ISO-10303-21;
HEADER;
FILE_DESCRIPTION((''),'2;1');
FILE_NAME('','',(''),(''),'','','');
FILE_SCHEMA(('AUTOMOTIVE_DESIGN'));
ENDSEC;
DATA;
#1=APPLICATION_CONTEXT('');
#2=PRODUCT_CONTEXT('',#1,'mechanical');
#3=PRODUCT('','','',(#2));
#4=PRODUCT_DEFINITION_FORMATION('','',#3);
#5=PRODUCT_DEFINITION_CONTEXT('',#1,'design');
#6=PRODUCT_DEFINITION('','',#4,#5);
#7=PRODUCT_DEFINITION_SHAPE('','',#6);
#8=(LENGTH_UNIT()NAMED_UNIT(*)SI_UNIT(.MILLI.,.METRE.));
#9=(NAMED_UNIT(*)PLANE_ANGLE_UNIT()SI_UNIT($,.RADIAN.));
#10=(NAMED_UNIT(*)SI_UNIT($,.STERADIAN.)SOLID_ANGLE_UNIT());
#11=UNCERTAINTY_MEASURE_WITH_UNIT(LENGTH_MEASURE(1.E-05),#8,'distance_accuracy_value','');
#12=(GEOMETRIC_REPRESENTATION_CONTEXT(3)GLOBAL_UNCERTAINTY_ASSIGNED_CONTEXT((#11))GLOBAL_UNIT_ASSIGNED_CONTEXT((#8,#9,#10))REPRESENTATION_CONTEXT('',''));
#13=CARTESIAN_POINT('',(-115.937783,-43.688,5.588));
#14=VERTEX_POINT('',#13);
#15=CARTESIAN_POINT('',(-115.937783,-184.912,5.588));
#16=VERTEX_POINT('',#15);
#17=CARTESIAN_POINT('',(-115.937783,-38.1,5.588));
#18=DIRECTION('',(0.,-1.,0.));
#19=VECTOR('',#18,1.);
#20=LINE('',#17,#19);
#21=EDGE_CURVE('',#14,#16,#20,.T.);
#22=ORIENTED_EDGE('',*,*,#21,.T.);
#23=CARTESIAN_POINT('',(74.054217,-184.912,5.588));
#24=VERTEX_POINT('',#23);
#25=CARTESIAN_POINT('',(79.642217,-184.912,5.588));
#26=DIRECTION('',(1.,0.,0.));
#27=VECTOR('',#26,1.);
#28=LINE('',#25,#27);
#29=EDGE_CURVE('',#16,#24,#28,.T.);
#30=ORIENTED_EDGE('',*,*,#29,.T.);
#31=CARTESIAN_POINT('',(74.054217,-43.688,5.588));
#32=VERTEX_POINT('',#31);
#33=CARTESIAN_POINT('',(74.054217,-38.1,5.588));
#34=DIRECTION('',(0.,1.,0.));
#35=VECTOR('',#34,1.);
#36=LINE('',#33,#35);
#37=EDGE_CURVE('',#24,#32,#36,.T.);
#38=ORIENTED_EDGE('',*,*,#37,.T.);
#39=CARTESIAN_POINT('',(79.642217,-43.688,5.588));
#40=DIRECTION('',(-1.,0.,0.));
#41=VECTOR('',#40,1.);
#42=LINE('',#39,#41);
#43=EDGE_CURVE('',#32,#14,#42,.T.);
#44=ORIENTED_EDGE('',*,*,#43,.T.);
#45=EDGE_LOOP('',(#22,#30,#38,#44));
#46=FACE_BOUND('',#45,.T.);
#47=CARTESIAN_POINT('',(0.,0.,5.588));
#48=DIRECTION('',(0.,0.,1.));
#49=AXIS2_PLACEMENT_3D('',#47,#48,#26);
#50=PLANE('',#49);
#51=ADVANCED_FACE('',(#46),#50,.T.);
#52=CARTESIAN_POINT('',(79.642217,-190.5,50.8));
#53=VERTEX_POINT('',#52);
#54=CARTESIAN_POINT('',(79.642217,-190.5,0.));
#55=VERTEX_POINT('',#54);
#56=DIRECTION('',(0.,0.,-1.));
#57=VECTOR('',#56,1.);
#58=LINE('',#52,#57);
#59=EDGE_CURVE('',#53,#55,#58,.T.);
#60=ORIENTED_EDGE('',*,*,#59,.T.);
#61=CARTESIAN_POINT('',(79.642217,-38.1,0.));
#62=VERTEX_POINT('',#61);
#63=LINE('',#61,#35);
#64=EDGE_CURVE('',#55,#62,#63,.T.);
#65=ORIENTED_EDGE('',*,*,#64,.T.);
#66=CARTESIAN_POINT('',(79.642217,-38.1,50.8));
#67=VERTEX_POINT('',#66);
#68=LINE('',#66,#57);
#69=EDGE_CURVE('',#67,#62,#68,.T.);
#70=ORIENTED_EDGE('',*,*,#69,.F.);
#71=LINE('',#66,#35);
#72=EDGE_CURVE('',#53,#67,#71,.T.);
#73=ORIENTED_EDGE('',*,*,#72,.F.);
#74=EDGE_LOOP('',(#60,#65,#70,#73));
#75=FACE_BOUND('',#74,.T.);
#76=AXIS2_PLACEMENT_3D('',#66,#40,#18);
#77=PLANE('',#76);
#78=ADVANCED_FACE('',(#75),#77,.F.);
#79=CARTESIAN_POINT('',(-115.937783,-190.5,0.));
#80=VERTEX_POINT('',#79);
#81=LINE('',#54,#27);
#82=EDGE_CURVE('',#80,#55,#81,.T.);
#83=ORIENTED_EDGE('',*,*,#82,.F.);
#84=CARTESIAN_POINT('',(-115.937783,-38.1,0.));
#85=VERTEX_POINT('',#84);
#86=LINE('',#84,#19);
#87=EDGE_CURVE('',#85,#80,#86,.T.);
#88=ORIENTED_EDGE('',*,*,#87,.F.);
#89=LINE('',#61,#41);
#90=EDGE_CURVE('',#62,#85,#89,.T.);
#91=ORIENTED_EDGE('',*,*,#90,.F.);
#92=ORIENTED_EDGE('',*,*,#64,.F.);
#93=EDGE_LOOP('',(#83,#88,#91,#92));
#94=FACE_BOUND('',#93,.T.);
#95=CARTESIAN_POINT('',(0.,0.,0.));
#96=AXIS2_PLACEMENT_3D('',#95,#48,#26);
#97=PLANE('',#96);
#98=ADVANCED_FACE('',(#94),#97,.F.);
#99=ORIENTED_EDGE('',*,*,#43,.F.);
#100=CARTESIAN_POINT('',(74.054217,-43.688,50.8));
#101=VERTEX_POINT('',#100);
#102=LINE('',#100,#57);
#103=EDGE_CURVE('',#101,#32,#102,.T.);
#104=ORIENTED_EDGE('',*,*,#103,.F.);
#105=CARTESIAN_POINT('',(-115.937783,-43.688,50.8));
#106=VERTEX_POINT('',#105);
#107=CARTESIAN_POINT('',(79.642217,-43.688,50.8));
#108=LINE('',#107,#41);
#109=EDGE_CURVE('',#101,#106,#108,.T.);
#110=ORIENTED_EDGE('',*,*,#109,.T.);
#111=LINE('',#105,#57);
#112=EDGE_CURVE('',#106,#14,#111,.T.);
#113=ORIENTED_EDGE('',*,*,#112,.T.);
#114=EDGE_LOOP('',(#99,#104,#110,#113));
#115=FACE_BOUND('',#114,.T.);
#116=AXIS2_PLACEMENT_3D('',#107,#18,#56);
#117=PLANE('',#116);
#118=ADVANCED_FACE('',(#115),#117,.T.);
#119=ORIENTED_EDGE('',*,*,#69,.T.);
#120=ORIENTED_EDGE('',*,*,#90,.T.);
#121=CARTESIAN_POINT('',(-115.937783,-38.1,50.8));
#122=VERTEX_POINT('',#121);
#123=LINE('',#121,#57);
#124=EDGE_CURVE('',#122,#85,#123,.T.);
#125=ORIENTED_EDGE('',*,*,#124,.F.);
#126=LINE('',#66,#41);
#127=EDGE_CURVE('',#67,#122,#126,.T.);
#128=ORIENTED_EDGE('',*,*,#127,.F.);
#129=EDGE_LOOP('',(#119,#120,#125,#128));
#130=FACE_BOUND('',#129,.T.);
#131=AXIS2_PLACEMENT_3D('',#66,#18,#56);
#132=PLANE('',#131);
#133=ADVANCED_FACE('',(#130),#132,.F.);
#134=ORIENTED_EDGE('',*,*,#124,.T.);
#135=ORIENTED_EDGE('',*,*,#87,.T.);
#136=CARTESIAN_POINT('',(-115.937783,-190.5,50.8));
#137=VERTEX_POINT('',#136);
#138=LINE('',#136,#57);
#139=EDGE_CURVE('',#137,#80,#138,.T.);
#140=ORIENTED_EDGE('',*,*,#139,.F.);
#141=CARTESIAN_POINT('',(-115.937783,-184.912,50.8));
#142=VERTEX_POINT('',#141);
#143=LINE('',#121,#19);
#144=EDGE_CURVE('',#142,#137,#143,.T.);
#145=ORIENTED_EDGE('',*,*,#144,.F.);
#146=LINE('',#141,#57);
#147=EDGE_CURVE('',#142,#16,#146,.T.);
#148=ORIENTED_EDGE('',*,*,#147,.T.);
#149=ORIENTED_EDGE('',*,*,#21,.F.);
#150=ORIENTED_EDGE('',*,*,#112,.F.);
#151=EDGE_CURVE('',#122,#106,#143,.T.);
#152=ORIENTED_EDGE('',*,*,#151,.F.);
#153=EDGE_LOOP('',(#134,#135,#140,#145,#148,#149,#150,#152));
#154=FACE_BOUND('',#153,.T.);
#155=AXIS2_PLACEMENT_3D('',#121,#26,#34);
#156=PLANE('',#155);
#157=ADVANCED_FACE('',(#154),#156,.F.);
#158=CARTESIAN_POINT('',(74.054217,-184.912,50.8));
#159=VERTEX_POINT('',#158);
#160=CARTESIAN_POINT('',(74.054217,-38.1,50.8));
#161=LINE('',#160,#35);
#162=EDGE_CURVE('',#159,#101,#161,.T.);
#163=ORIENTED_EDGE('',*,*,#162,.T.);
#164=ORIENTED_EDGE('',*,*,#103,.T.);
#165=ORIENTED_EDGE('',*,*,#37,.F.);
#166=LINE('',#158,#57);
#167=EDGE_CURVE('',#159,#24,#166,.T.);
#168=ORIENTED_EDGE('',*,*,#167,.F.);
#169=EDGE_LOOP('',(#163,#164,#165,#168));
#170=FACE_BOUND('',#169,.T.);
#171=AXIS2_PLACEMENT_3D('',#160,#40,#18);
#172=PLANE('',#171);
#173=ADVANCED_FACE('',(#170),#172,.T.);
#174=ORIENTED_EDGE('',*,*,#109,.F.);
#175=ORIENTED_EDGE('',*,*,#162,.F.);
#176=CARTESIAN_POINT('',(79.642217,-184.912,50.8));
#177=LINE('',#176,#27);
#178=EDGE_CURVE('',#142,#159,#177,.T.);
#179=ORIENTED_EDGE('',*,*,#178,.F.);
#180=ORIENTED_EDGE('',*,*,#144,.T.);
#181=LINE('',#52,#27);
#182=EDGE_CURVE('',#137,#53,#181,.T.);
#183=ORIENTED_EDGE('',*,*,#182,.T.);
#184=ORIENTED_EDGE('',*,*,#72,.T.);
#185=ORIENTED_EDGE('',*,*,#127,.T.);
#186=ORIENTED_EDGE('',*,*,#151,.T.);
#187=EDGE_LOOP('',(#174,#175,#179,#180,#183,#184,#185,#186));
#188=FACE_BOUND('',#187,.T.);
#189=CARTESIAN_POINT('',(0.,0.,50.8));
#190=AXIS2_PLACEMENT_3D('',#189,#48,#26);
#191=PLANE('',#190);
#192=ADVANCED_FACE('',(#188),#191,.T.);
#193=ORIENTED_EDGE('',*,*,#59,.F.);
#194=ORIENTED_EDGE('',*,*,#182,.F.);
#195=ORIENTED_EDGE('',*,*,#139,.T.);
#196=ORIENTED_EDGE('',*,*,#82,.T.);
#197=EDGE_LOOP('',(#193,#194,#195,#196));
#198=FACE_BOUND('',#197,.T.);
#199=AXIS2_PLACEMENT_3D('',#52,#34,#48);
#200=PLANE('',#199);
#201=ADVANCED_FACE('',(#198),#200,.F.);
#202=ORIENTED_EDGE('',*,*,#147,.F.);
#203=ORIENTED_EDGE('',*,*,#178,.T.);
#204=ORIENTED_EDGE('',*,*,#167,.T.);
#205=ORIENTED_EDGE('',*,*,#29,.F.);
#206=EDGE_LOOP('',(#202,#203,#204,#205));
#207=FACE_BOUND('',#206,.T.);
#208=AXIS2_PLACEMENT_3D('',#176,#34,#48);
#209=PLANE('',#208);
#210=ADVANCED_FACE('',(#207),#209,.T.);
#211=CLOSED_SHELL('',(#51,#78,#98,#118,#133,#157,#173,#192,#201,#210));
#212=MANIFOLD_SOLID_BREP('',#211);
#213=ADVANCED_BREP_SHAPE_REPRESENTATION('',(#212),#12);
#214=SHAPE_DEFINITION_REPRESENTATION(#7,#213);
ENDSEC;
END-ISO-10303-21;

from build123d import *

# Parameters (mm, degrees)
SKETCH2_W           = 152.4
SKETCH2_H           = 195.58
BOSS_EXTRUDE1_DEPTH = 50.8
SHELL1_T            = -5.588


with BuildPart() as part:
    # Sketch2 → Boss-Extrude1 (new body)
    with BuildSketch(Plane(origin=(0, 0, 0), x_dir=(0, 1, 0), z_dir=(0, 0, 1))):
        with Locations((-114.3, 18.147782805)):
            Rectangle(SKETCH2_W, SKETCH2_H)
    extrude(amount=BOSS_EXTRUDE1_DEPTH)

    # Shell1
    shell1_openings = [part.faces().sort_by_distance(p)[0] for p in [
        (-18.147782805, -114.3, 50.8),
        (-115.937782805, -114.3, 25.4),
    ]]
    offset(amount=SHELL1_T, openings=shell1_openings, kind=Kind.INTERSECTION)


solid = part.part
